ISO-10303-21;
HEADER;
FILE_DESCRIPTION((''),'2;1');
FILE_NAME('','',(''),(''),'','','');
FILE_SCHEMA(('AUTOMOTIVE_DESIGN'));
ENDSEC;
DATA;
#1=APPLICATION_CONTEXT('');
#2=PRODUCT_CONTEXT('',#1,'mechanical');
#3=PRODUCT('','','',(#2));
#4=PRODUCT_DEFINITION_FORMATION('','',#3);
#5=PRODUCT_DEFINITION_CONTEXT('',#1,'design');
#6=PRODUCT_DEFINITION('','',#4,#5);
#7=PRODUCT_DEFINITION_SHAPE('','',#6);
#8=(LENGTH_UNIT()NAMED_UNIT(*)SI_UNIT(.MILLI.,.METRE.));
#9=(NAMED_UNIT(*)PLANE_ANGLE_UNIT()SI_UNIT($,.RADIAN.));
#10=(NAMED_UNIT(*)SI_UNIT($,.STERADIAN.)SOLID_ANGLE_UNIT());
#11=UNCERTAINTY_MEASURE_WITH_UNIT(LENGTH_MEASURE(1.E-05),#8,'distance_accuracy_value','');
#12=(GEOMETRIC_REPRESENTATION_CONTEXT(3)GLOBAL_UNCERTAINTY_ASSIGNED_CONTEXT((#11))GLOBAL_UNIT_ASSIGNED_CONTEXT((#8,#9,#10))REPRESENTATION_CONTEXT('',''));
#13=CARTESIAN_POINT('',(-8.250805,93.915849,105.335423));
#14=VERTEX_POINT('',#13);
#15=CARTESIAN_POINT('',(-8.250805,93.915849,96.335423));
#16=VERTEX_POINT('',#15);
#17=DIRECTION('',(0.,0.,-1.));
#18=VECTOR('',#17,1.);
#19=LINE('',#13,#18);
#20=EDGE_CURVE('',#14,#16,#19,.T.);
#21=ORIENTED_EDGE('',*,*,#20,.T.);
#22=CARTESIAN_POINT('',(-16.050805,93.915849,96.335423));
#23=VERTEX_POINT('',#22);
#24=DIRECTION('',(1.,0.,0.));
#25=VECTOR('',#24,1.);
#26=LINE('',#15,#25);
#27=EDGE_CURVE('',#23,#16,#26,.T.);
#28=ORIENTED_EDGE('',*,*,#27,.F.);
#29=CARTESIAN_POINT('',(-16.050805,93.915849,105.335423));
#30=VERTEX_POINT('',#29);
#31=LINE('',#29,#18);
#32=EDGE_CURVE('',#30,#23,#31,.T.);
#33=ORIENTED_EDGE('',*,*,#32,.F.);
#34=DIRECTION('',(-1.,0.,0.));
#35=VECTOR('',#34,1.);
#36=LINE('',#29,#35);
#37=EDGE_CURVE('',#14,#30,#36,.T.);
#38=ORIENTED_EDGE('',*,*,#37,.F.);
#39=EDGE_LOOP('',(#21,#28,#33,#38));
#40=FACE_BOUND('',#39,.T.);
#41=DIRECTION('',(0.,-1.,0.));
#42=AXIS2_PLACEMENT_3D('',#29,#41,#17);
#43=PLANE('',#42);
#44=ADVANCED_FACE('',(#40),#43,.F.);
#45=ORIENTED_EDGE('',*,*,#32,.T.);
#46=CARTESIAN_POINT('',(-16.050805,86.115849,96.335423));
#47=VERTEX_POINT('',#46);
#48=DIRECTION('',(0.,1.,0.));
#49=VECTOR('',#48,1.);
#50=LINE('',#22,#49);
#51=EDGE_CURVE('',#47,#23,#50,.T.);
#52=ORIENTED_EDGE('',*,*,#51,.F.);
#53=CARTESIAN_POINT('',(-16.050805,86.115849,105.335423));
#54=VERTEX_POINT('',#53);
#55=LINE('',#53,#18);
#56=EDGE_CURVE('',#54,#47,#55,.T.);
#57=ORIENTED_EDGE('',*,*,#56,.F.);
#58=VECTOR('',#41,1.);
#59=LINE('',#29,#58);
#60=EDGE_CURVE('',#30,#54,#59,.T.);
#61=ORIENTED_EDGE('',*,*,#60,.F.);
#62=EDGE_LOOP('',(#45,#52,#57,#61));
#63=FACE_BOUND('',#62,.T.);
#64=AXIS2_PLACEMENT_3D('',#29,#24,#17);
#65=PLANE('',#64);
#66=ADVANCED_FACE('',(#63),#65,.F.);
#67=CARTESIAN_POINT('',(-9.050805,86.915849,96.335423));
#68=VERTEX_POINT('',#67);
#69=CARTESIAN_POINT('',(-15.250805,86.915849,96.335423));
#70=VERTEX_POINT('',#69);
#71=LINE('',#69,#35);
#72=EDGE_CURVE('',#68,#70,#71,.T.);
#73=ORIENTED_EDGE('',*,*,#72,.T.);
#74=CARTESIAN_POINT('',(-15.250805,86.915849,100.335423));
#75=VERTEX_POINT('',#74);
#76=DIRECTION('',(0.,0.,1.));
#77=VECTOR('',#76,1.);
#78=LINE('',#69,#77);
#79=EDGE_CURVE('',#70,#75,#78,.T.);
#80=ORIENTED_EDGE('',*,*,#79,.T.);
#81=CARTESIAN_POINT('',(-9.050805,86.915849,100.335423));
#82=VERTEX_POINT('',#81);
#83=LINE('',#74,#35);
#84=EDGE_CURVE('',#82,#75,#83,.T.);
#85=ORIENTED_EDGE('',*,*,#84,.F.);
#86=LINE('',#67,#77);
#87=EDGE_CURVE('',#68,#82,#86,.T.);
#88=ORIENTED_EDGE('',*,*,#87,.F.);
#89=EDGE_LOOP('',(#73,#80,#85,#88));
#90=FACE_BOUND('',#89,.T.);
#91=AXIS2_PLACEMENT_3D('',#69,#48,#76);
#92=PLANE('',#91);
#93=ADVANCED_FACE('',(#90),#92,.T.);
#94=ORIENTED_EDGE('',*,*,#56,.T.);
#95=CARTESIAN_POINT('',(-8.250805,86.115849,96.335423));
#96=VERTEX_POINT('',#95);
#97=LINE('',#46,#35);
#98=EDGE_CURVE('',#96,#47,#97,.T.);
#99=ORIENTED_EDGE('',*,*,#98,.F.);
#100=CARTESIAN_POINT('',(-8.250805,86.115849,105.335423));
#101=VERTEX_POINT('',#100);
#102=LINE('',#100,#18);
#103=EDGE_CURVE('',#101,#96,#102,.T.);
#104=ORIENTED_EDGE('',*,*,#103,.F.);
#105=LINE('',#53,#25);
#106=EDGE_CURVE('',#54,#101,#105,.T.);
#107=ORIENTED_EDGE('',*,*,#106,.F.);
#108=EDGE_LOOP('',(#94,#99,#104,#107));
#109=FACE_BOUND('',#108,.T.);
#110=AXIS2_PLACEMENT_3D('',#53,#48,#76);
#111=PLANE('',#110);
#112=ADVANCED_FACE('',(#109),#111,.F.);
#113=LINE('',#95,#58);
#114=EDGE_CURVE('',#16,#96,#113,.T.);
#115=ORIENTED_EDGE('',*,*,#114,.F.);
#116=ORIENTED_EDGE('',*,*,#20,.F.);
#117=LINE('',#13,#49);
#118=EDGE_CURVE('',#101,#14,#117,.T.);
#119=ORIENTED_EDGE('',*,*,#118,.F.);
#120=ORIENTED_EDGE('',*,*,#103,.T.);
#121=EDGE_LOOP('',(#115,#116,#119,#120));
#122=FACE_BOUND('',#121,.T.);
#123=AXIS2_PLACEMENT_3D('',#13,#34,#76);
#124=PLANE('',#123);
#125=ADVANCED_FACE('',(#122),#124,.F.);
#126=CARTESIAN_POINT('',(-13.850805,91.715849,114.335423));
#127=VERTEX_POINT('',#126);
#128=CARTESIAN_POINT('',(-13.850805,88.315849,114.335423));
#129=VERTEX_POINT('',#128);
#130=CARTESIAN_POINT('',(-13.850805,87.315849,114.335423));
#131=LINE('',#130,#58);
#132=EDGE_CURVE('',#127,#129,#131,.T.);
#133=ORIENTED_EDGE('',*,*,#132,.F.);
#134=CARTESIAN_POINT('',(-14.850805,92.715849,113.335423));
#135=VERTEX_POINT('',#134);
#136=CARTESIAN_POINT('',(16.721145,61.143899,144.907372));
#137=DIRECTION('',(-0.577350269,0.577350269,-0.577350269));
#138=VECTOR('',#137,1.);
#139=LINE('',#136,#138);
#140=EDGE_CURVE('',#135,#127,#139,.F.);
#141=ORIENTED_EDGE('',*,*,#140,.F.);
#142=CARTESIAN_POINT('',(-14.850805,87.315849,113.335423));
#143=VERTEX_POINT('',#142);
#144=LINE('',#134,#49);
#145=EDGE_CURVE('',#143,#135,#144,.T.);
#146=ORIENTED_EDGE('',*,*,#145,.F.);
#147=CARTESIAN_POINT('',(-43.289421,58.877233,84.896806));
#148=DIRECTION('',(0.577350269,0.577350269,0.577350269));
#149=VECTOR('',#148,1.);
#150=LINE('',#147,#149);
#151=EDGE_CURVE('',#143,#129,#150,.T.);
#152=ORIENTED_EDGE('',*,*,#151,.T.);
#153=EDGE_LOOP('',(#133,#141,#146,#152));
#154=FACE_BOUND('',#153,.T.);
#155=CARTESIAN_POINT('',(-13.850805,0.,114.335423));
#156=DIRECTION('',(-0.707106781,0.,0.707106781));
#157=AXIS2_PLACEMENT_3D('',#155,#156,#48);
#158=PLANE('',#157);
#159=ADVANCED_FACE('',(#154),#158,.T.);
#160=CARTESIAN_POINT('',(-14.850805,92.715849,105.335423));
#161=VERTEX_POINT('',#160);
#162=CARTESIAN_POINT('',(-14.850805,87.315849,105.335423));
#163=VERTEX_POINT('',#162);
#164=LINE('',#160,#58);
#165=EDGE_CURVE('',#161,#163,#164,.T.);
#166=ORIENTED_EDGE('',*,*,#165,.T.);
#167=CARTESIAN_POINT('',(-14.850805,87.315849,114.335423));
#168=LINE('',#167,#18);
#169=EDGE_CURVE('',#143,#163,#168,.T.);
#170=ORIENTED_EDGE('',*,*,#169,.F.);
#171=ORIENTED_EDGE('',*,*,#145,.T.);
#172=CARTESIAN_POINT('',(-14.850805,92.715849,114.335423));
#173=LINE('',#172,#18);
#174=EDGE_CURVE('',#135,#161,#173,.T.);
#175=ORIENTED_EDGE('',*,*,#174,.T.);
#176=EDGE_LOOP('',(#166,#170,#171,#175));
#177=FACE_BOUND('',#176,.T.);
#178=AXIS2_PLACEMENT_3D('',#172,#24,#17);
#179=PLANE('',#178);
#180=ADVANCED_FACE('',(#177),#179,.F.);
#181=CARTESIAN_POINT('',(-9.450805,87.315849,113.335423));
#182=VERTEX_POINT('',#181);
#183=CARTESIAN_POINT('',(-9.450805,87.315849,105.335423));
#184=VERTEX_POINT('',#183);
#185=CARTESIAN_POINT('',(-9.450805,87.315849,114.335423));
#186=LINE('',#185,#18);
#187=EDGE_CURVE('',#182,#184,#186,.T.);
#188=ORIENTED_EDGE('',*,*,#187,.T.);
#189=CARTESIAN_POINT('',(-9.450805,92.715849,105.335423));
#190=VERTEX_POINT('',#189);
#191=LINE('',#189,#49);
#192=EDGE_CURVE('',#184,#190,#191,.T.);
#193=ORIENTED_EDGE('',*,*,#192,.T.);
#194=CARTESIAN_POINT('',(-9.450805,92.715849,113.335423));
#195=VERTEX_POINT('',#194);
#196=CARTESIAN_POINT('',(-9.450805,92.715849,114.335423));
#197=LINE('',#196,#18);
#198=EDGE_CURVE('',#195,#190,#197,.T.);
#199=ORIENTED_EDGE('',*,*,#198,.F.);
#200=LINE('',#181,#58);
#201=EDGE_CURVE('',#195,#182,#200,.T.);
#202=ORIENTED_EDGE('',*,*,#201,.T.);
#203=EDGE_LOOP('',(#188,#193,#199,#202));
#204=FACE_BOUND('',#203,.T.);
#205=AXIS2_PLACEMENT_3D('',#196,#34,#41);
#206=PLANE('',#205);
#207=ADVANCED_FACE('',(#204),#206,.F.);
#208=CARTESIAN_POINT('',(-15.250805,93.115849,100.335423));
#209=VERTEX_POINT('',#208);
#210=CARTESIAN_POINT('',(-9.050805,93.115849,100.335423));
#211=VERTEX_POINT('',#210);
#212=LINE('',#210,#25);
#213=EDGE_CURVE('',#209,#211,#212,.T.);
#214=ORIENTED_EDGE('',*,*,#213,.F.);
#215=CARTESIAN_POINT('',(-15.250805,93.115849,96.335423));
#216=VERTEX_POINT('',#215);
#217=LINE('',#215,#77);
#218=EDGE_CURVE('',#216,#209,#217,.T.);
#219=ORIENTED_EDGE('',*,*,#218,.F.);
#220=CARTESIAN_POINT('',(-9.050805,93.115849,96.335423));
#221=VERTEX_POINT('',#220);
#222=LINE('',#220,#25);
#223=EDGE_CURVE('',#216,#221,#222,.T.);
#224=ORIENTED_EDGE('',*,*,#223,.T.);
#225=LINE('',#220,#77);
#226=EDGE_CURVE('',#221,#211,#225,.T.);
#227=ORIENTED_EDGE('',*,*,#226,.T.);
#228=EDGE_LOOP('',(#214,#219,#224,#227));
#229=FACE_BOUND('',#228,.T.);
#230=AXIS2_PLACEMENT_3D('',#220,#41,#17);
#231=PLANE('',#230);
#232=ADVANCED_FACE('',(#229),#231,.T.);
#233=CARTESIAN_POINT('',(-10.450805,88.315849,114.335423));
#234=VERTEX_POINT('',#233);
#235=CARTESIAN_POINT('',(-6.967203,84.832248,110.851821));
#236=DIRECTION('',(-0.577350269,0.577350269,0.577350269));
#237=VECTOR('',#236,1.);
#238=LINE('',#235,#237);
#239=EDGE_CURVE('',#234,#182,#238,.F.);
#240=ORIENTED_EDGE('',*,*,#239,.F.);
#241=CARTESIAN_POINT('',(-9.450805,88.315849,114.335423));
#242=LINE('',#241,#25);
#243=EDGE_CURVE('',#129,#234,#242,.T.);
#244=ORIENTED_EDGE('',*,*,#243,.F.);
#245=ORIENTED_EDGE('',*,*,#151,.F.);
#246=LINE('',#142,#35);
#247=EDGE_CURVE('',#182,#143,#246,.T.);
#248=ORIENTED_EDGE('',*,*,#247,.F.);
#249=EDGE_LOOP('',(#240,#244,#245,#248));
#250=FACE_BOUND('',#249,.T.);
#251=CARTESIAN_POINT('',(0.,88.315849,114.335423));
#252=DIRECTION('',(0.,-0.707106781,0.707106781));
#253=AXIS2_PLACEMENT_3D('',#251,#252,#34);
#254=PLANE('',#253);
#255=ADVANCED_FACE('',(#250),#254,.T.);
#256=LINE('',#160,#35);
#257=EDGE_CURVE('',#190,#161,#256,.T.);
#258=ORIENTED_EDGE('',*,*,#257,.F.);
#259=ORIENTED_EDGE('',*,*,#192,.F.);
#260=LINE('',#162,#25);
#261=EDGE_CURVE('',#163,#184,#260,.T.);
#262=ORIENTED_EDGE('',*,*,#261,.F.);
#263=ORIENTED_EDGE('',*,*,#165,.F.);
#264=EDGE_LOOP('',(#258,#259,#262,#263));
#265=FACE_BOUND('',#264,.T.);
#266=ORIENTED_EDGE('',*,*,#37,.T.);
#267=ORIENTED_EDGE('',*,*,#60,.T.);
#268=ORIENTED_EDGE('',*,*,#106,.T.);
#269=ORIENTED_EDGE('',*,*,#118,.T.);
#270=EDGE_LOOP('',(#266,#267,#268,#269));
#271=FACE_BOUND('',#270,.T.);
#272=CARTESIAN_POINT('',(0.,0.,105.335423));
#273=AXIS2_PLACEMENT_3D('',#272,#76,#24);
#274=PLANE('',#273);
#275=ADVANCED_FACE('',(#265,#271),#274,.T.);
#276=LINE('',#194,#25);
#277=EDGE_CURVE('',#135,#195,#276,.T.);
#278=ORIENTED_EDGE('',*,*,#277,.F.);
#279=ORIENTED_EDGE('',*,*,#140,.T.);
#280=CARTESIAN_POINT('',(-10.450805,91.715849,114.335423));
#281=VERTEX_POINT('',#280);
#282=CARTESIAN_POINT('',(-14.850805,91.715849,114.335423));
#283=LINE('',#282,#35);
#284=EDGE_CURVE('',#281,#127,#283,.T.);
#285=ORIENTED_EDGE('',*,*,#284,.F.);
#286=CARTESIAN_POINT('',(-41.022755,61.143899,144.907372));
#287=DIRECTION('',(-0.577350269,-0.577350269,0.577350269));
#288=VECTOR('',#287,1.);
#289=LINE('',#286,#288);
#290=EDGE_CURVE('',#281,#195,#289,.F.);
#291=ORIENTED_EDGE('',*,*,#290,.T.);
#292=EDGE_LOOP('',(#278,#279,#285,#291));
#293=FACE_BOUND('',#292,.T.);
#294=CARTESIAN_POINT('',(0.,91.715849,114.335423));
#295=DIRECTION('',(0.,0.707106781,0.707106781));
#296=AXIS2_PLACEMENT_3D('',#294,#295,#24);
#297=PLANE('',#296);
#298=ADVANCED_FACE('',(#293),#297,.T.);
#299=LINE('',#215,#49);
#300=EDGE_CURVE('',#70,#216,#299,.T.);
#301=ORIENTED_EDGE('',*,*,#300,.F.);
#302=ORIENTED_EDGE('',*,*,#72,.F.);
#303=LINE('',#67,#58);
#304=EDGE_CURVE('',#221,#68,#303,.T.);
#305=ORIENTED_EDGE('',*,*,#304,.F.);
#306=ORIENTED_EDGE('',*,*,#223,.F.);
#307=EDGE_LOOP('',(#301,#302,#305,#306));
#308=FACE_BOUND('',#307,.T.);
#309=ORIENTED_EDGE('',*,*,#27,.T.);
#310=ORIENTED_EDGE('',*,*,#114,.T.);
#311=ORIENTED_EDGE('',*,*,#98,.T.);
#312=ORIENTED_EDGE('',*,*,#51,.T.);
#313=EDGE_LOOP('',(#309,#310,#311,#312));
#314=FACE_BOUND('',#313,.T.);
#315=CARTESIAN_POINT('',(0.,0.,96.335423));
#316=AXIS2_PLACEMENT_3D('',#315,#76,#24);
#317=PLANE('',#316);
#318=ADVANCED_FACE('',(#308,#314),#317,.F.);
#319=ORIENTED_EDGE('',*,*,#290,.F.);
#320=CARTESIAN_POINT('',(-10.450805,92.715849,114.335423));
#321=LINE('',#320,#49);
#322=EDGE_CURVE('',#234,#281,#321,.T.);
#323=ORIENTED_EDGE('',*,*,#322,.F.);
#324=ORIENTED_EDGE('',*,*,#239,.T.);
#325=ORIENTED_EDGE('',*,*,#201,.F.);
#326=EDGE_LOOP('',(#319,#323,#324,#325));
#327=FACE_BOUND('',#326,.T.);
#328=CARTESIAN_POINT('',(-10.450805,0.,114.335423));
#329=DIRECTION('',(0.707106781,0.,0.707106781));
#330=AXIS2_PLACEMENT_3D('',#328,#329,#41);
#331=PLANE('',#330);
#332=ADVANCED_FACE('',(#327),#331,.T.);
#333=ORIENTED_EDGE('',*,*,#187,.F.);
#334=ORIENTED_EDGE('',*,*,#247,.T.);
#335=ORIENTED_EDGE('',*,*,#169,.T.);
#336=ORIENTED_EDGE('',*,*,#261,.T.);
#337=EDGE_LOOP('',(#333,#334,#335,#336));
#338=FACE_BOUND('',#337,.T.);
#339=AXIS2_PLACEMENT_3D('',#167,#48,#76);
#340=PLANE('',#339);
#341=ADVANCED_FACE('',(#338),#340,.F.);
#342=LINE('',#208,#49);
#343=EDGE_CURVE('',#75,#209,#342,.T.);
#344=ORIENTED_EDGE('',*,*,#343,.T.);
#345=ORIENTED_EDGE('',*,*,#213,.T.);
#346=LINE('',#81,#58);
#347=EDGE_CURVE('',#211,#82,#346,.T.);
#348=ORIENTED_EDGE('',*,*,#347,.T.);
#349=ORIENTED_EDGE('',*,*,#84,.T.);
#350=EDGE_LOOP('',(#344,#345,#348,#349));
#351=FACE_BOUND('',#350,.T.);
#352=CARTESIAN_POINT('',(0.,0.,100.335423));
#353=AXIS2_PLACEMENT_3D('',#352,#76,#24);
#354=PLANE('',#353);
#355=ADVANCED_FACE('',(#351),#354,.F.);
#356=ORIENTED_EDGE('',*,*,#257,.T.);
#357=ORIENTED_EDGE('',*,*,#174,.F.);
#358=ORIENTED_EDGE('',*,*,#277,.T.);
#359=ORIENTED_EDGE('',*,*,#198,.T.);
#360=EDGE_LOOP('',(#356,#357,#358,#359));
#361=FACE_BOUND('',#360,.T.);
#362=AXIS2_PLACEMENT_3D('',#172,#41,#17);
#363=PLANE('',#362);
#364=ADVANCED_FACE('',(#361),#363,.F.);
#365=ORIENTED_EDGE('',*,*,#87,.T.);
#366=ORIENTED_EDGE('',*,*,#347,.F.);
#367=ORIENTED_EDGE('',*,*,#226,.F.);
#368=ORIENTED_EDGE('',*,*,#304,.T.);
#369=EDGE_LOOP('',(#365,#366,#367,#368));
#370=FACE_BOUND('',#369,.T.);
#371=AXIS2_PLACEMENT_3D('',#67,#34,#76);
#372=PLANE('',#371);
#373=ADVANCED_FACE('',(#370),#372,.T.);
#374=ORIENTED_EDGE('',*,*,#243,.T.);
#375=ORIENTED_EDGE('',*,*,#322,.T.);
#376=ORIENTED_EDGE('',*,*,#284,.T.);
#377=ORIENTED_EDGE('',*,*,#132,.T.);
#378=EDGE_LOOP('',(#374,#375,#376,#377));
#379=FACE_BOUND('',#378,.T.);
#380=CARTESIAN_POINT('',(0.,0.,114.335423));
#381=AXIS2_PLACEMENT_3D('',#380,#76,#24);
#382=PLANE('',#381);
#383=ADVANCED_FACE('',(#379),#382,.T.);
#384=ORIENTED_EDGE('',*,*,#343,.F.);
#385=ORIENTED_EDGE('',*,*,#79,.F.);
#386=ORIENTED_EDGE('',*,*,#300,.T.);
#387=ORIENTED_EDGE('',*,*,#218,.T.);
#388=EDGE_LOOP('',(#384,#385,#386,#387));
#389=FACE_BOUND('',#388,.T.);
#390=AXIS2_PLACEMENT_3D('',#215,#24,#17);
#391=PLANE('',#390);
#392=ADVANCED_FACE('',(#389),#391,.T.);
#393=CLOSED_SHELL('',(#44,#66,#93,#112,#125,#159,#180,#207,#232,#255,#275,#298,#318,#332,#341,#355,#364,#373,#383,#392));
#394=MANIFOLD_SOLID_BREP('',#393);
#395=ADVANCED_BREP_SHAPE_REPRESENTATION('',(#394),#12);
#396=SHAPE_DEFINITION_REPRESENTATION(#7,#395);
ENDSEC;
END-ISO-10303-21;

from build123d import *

# Parameters (mm, degrees)
SKETCH2_W           = 7.799999809
SKETCH2_H           = 7.79999981
BOSS_EXTRUDE1_DEPTH = 5
SKETCH3_W           = 7.799999809
SKETCH3_H           = 7.79999981
SKETCH3_W_2         = 6.199999809
SKETCH3_H_2         = 6.19999981
BOSS_EXTRUDE2_DEPTH = 4
SKETCH4_W           = 5.399999809
SKETCH4_H           = 5.39999981
BOSS_EXTRUDE3_DEPTH = 9
CHAMFER1_SIZE       = 1


with BuildPart() as part:
    # Sketch2 → Boss-Extrude1 (new body)
    with BuildSketch(Plane.XY.offset(100.335422766)):
        with Locations((-12.150804877, 90.015849294)):
            Rectangle(SKETCH2_W, SKETCH2_H)
    extrude(amount=BOSS_EXTRUDE1_DEPTH)

    # Sketch3 → Boss-Extrude2 (add)
    with BuildSketch(Plane(origin=(0, 0, 100.335422766), x_dir=(-1, 0, 0), z_dir=(0, 0, -1))):
        with Locations((12.150804877, 90.015849294)):
            Rectangle(SKETCH3_W, SKETCH3_H)
        with Locations((12.150804877, 90.015849294)):
            Rectangle(SKETCH3_W_2, SKETCH3_H_2, mode=Mode.SUBTRACT)
    extrude(amount=BOSS_EXTRUDE2_DEPTH)

    # Sketch4 → Boss-Extrude3 (add)
    with BuildSketch(Plane.XY.offset(105.335422766)):
        with Locations((-12.150804877, 90.015849294)):
            Rectangle(SKETCH4_W, SKETCH4_H)
    extrude(amount=BOSS_EXTRUDE3_DEPTH)

    # Chamfer1
    chamfer1_edges = [part.edges().sort_by_distance(p)[0] for p in [
        (-14.850804781, 90.015849294, 114.335422766),
        (-12.150804876, 87.315849389, 114.335422766),
        (-9.450804972, 90.015849294, 114.335422766),
        (-12.150804876, 92.715849199, 114.335422766),
    ]]
    chamfer(chamfer1_edges, length=CHAMFER1_SIZE)


solid = part.part
